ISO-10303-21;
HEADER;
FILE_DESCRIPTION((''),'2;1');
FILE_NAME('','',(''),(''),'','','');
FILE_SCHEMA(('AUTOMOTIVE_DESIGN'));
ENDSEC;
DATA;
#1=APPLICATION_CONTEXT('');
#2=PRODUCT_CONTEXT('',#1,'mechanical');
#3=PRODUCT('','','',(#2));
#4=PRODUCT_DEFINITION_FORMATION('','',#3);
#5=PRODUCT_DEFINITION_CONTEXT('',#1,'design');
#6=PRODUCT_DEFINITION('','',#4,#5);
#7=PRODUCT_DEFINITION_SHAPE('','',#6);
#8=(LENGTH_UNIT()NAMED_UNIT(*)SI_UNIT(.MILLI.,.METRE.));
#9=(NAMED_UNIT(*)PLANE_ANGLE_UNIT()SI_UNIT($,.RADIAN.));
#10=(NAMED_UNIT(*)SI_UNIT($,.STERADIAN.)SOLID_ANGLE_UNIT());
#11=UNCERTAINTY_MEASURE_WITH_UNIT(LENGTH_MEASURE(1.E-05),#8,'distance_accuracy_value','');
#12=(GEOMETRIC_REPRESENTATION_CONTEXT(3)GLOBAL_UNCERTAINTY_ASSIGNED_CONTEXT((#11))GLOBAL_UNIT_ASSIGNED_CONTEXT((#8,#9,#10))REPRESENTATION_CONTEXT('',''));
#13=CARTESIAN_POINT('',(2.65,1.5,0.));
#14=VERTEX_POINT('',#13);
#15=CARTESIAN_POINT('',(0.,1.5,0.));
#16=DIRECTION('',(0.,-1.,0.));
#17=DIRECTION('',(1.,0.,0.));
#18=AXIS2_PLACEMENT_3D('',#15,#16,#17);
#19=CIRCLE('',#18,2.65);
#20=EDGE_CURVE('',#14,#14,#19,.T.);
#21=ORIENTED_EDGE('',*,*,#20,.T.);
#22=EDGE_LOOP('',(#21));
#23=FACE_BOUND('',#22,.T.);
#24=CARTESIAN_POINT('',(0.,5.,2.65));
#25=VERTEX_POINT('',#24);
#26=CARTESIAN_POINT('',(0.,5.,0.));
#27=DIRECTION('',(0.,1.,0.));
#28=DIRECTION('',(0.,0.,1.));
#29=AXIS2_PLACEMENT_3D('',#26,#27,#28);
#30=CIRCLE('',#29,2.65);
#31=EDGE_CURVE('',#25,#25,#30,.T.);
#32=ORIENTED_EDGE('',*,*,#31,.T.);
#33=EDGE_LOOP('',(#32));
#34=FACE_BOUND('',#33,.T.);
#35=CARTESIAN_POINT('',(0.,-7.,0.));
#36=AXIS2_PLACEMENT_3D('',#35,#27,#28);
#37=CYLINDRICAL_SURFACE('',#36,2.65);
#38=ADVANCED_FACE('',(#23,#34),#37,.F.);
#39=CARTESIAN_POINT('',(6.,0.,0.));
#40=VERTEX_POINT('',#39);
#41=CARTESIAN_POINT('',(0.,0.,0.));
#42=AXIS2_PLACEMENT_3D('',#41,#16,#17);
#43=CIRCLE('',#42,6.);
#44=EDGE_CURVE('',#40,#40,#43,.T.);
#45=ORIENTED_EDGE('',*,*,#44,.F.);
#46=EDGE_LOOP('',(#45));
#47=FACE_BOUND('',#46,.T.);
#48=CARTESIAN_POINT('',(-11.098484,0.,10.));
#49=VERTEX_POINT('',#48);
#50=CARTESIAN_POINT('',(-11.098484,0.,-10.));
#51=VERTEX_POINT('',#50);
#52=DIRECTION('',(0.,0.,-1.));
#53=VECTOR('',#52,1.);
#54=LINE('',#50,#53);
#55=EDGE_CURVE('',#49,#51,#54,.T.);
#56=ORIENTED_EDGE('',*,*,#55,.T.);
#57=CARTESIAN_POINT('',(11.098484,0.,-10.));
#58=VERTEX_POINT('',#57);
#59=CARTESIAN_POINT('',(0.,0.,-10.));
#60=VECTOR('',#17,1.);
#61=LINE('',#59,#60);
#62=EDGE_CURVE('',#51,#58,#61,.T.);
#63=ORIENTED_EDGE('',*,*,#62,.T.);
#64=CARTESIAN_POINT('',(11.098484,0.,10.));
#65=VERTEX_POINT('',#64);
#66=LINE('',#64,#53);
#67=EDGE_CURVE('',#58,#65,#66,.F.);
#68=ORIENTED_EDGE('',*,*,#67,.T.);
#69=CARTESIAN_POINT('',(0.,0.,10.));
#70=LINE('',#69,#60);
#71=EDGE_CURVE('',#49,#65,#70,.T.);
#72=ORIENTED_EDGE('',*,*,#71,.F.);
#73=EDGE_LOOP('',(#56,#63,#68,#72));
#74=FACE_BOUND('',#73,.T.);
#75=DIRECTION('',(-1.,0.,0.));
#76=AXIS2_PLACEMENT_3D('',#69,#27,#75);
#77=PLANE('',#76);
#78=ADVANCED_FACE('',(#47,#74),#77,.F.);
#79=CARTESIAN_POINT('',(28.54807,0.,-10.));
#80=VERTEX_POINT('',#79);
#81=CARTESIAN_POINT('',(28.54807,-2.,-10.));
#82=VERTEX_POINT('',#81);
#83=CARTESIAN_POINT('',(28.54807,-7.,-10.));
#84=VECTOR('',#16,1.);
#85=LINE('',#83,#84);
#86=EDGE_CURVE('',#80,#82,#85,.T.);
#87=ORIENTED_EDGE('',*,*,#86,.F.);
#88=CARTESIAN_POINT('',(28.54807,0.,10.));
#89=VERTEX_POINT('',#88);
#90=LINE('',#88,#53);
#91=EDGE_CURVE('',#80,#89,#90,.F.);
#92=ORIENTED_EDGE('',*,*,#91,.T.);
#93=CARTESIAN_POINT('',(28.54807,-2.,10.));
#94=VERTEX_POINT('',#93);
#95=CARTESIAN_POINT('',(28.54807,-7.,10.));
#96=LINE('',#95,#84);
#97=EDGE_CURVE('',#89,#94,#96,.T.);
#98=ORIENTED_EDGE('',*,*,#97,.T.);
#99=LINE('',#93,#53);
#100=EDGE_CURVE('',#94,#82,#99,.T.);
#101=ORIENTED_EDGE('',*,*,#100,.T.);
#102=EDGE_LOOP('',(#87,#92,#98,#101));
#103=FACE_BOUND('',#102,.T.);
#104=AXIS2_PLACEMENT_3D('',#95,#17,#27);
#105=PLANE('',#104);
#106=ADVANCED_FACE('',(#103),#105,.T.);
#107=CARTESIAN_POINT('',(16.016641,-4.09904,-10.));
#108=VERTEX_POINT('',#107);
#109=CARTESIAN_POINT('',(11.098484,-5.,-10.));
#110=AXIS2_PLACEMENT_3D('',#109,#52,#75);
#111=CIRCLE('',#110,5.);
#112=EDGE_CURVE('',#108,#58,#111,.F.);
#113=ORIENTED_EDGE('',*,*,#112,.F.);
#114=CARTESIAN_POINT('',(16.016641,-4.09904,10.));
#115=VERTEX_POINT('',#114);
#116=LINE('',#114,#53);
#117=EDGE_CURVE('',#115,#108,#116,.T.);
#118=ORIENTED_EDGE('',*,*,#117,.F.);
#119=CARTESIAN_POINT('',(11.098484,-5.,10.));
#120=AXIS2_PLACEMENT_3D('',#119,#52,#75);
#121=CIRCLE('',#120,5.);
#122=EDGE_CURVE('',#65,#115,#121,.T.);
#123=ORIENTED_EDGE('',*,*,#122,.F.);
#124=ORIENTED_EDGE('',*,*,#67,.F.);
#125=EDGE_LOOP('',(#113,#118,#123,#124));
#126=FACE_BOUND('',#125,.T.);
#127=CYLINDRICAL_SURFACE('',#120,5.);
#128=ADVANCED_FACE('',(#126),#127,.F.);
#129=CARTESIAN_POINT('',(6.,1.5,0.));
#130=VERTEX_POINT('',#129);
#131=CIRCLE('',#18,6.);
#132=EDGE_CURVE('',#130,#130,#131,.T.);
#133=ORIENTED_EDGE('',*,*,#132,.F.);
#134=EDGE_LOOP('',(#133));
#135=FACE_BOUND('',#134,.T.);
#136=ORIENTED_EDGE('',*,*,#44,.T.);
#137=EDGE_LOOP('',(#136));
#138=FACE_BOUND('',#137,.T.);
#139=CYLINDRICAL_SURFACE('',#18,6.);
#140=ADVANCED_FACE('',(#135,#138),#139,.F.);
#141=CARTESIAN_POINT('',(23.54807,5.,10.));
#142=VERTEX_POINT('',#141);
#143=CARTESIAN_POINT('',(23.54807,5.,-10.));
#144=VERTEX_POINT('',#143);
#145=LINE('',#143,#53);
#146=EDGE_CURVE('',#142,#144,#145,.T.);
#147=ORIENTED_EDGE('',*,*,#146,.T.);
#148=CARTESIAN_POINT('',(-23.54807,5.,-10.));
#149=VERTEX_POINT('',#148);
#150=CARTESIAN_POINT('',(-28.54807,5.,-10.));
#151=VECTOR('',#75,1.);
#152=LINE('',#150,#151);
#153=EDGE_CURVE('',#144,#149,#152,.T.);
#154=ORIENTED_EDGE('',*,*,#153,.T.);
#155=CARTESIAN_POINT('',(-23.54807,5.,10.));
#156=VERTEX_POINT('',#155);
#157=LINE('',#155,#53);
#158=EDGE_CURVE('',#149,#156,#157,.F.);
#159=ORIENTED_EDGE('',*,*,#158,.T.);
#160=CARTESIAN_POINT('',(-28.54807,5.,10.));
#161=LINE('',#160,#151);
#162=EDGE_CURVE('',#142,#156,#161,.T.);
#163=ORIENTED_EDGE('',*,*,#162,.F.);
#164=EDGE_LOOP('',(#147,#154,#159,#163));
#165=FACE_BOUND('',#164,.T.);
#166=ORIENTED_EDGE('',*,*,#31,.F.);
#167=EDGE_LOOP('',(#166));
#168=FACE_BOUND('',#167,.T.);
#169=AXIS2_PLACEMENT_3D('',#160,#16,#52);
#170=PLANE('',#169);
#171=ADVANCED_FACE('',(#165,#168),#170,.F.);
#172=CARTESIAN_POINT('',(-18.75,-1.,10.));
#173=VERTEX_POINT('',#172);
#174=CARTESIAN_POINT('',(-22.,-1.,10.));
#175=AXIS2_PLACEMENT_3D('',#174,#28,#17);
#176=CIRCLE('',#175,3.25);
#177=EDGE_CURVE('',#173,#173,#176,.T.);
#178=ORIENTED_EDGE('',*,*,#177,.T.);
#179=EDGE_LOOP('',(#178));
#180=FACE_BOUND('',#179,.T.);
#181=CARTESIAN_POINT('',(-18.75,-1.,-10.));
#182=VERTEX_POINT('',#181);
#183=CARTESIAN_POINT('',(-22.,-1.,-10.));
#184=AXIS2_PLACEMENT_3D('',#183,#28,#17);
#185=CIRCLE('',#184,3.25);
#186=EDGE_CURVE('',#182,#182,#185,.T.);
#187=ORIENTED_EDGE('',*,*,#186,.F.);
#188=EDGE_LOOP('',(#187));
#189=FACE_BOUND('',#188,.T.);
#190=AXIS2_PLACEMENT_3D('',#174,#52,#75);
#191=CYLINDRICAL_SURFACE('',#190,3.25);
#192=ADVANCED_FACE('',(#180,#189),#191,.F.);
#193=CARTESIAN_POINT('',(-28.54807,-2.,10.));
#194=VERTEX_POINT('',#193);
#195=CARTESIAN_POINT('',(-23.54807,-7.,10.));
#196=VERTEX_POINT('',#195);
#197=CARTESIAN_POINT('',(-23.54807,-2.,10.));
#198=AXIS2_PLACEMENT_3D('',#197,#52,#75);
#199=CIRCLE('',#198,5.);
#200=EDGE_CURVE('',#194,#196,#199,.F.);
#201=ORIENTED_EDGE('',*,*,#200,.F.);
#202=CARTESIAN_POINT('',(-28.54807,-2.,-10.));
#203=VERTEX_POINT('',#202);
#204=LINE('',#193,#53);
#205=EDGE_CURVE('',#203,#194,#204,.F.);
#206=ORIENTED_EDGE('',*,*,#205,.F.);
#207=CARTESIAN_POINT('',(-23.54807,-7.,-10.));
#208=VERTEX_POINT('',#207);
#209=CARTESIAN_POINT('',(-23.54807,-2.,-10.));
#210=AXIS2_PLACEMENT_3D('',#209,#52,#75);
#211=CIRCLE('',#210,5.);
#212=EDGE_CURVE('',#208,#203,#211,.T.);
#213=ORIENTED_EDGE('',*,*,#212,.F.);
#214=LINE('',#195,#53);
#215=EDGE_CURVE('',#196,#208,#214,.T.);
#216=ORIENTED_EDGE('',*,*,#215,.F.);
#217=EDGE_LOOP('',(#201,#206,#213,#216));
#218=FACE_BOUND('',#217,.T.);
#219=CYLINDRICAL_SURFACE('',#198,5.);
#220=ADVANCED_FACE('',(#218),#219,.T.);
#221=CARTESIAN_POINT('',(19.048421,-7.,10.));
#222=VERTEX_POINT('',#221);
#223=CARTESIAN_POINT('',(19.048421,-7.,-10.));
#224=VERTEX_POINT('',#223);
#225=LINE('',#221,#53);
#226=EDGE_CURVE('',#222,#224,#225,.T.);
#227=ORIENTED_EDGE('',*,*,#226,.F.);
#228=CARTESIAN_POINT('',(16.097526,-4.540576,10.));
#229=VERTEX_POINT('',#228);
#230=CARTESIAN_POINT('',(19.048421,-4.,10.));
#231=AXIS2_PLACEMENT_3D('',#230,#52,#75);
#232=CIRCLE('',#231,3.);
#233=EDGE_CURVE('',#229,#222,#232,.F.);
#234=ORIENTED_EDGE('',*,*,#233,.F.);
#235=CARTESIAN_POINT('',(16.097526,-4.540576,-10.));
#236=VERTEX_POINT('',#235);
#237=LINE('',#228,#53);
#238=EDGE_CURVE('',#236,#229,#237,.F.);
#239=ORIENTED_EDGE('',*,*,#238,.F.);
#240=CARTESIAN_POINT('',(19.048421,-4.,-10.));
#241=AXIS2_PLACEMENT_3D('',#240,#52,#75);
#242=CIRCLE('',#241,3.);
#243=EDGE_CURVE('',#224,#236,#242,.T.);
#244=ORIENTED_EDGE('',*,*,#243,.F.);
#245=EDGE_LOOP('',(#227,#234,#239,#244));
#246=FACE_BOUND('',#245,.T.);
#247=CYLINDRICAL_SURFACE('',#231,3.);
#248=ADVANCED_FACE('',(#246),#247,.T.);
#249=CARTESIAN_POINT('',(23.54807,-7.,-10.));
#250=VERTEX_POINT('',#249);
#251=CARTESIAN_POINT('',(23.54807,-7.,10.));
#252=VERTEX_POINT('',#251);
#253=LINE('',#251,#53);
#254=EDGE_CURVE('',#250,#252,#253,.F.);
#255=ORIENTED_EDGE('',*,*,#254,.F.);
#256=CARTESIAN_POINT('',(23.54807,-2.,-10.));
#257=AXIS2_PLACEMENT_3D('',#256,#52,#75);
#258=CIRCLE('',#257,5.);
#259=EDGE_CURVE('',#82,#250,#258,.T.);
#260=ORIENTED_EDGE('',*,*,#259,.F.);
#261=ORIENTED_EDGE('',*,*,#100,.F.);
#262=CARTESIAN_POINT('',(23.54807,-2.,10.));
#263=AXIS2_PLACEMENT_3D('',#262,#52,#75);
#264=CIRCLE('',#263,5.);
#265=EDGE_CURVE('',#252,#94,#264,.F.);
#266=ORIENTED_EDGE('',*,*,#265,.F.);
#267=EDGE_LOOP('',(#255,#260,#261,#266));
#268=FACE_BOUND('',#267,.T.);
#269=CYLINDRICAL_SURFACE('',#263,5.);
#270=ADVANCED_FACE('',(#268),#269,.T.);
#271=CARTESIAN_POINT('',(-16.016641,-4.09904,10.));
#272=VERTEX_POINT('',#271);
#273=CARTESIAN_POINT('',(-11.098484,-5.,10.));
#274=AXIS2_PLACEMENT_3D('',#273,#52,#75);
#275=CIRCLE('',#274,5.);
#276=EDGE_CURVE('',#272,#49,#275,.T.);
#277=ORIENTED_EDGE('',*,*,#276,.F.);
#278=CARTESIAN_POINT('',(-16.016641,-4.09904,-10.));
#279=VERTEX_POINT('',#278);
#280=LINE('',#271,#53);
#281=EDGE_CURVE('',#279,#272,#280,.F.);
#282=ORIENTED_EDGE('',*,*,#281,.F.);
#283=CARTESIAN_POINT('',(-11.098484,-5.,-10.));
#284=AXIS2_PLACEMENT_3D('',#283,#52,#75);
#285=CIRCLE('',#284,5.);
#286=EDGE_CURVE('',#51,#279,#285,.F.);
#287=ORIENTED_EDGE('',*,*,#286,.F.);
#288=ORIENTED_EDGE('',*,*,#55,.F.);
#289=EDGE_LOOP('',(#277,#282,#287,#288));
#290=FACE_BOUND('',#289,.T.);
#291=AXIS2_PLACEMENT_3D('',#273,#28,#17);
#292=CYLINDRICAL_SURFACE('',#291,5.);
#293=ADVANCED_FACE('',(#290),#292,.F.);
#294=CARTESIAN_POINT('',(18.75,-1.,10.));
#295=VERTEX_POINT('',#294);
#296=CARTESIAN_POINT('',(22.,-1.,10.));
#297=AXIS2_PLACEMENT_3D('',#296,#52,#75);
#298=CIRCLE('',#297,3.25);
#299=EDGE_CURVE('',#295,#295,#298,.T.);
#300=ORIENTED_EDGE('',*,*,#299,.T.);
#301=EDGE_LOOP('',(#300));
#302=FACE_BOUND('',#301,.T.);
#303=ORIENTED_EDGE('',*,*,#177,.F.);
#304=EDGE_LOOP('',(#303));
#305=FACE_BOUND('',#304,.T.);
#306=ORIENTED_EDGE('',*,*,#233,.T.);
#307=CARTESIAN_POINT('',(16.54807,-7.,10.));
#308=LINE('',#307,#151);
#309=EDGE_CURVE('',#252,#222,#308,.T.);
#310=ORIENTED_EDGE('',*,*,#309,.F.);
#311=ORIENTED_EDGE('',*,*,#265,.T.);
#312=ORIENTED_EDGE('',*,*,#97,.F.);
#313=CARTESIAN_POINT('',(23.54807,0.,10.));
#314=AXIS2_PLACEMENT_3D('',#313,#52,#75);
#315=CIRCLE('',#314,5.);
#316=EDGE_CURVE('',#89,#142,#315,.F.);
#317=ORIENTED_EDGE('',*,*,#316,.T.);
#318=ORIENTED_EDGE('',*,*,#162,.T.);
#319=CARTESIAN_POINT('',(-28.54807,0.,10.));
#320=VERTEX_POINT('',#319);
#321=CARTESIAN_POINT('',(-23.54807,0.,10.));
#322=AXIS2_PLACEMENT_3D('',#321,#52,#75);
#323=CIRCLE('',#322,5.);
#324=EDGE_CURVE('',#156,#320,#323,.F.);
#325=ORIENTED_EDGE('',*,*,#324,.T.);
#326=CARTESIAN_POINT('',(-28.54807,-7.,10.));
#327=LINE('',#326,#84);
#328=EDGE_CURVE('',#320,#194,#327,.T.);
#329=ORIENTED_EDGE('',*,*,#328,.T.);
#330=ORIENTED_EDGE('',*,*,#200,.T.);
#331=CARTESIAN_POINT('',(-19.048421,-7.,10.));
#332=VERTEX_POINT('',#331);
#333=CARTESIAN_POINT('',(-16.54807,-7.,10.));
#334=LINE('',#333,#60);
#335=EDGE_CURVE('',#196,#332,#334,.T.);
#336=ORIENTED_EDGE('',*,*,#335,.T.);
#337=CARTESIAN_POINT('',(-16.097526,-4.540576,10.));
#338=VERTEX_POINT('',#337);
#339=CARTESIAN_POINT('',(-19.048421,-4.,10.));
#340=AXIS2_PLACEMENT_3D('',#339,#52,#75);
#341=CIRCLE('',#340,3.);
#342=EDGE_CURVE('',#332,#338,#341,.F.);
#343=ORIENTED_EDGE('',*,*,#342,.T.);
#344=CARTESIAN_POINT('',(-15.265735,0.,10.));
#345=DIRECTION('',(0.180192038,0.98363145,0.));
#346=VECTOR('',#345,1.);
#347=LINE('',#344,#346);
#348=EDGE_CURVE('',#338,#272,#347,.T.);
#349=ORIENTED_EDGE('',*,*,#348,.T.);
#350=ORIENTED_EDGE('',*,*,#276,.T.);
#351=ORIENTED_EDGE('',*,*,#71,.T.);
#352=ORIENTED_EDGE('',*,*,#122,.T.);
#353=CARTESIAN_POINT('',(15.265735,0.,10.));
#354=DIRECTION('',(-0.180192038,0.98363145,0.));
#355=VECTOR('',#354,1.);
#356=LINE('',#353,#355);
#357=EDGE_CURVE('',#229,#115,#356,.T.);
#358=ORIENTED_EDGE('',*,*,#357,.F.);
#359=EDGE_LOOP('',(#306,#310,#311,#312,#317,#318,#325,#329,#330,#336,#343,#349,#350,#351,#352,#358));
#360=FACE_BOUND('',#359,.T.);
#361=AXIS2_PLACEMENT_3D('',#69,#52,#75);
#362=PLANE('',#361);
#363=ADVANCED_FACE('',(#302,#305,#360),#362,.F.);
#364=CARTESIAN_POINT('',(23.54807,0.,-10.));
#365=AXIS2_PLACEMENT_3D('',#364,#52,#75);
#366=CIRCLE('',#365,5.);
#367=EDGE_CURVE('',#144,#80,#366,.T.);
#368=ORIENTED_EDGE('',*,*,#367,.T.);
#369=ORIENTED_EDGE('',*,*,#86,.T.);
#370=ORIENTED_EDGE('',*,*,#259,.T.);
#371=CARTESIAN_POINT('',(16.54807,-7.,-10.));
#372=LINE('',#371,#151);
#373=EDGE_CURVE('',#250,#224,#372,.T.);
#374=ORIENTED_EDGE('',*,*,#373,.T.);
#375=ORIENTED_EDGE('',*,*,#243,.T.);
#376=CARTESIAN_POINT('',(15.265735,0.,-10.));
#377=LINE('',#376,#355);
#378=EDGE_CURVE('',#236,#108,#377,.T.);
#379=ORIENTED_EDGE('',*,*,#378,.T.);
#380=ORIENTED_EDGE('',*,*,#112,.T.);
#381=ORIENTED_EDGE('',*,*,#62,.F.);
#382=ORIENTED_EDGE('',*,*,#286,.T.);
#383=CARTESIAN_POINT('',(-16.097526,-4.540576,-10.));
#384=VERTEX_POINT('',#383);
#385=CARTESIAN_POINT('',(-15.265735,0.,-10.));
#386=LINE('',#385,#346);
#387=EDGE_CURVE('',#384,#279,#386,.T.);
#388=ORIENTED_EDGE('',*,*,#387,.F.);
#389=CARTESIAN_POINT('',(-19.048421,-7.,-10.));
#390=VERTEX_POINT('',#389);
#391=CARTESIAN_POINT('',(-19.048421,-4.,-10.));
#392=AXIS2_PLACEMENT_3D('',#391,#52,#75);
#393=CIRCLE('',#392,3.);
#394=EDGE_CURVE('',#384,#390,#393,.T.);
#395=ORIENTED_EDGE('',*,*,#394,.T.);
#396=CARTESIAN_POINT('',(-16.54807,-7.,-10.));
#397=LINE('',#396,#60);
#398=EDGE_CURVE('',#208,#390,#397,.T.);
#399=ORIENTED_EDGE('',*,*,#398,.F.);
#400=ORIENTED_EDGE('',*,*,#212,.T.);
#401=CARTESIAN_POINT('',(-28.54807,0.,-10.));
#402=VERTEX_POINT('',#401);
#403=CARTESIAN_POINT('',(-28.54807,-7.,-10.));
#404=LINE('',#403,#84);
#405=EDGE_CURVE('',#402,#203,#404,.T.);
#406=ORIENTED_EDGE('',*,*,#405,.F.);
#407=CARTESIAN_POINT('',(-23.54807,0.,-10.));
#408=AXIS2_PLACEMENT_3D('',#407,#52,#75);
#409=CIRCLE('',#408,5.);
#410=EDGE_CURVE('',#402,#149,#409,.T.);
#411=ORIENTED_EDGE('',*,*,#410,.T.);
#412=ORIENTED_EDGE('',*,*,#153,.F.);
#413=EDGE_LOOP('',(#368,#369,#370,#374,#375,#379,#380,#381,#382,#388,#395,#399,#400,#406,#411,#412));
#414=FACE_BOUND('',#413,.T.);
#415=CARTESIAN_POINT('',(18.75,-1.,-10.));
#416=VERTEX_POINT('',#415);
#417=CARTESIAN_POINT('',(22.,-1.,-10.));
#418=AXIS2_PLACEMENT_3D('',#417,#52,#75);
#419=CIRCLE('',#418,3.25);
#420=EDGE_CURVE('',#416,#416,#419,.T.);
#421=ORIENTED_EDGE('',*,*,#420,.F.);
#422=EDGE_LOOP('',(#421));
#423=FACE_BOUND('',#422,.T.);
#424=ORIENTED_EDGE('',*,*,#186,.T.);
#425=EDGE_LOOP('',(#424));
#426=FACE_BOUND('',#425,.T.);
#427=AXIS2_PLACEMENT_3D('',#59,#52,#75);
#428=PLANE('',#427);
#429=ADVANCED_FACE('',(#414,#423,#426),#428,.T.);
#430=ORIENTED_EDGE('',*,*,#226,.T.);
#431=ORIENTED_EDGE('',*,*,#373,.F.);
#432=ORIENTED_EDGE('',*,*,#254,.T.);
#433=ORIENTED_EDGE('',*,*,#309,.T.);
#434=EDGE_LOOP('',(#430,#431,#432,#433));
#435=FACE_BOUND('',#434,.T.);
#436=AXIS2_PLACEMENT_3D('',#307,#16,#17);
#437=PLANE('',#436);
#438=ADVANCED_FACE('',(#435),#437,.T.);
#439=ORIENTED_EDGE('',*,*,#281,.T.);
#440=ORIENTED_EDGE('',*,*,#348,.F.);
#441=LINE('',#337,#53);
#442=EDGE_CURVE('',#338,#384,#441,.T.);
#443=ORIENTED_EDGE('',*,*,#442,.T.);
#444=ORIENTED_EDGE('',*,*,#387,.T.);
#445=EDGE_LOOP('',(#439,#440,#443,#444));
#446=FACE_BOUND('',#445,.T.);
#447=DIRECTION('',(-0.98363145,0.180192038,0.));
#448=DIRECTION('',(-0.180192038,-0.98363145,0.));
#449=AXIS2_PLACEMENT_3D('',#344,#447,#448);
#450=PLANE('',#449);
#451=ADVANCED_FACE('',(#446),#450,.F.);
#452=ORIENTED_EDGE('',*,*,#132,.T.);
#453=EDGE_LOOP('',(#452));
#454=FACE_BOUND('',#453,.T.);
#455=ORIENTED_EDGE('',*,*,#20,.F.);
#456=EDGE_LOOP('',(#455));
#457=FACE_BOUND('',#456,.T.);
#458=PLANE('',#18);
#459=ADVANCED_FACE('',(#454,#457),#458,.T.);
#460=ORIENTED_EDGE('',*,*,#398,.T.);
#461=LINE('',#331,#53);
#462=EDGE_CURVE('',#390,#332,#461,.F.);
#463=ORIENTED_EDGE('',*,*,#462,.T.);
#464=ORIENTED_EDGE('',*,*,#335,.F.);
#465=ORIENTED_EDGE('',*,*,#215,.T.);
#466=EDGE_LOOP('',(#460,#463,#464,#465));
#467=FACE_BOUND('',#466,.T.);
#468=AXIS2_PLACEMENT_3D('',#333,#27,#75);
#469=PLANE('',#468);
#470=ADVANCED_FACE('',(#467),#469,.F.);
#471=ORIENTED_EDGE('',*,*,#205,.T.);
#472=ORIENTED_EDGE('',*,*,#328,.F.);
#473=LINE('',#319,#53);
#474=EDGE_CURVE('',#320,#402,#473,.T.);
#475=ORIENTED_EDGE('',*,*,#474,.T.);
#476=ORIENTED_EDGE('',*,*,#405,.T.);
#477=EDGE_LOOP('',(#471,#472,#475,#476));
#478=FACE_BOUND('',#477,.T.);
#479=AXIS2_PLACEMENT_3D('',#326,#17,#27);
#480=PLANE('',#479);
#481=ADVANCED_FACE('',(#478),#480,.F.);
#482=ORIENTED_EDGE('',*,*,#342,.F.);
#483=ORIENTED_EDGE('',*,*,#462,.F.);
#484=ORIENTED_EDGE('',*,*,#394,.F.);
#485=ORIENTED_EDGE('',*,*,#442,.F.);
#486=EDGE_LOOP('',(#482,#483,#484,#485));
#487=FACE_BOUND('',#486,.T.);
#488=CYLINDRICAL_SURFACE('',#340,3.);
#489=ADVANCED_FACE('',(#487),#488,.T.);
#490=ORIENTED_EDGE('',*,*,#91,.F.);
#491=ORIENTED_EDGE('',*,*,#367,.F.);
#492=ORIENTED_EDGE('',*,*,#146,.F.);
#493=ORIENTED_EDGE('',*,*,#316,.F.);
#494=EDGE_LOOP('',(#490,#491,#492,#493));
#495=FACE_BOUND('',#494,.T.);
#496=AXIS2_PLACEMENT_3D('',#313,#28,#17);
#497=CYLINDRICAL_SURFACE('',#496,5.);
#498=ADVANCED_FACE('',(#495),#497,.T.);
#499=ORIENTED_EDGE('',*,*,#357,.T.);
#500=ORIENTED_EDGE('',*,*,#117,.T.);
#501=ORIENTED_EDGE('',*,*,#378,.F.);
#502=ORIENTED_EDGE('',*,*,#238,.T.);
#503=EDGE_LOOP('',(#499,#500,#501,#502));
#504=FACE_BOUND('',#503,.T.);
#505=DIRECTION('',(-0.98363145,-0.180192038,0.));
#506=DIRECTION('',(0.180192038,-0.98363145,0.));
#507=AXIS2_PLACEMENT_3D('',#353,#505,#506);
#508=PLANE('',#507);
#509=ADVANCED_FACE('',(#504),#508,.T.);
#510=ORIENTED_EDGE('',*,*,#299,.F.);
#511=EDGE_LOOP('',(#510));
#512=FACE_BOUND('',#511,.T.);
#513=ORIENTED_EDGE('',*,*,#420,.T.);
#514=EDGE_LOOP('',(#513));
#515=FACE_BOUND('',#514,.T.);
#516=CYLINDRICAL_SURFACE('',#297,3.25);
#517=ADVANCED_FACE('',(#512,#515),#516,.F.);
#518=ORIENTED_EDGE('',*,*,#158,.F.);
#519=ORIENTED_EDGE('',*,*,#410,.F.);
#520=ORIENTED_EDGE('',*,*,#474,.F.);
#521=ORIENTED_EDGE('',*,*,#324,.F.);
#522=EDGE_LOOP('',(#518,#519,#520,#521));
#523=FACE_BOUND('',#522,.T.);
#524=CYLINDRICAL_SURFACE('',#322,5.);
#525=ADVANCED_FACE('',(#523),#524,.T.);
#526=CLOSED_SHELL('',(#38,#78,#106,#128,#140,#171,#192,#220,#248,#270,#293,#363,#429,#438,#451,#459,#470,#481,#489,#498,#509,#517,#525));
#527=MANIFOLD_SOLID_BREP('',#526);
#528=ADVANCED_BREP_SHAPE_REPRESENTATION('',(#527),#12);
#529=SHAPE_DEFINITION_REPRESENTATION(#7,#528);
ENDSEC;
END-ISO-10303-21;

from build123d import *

# Parameters (mm, degrees)
ESQUISSE1_R             = 3.25
BOSS_EXTRU_1_DEPTH      = 10
CONG_1_R                = 5
CONG_2_R                = 3
ESQUISSE2_R             = 6
ENL_V_MAT_EXTRU_1_DEPTH = 1.5
ESQUISSE3_R             = 2.65
ENL_V_MAT_EXTRU_2_DEPTH = 13


with BuildPart() as part:
    # Esquisse1 → Boss.-Extru.1 (new body, symmetric)
    with BuildSketch(Plane.XY):
        Polygon((0, 0), (-15.265735364, 0), (-16.548069585, -7), (-28.548069585, -7), (-28.548069585, 5), (0, 5), align=None)
        with Locations((-22, -1)):
            Circle(ESQUISSE1_R, mode=Mode.SUBTRACT)
    boss_extru_1 = extrude(amount=BOSS_EXTRU_1_DEPTH, both=True)

    # Symétrie1: Boss.-Extru.1 across plane
    add(boss_extru_1.mirror(Plane(origin=(0, 5, 10), x_dir=(0, 0, 1), z_dir=(-1, 0, 0))))

    # Congé1
    cong_1_edges = [part.edges().sort_by_distance(p)[0] for p in [
        (-15.265735364, 0, 0),
        (-28.548069585, -7, 0),
        (-28.548069585, 5, 0),
        (15.265735364, 0, 0),
        (28.548069585, -7, 0),
        (28.548069585, 5, 0),
    ]]
    fillet(cong_1_edges, radius=CONG_1_R)

    # Congé2
    cong_2_edges = [part.edges().sort_by_distance(p)[0] for p in [
        (-16.548069585, -7, 0),
        (16.548069585, -7, 0),
    ]]
    fillet(cong_2_edges, radius=CONG_2_R)

    # Esquisse2 → Enlèv. mat.-Extru.1 (cut)
    with BuildSketch(Plane.XZ):
        Circle(ESQUISSE2_R)
    extrude(amount=-ENL_V_MAT_EXTRU_1_DEPTH, mode=Mode.SUBTRACT)

    # Esquisse3 → Enlèv. mat.-Extru.2 (cut, through all)
    with BuildSketch(Plane(origin=(0, 5, 0), x_dir=(1, 0, 0), z_dir=(0, 1, 0))):
        Circle(ESQUISSE3_R)
    extrude(amount=-ENL_V_MAT_EXTRU_2_DEPTH, mode=Mode.SUBTRACT)


solid = part.part
